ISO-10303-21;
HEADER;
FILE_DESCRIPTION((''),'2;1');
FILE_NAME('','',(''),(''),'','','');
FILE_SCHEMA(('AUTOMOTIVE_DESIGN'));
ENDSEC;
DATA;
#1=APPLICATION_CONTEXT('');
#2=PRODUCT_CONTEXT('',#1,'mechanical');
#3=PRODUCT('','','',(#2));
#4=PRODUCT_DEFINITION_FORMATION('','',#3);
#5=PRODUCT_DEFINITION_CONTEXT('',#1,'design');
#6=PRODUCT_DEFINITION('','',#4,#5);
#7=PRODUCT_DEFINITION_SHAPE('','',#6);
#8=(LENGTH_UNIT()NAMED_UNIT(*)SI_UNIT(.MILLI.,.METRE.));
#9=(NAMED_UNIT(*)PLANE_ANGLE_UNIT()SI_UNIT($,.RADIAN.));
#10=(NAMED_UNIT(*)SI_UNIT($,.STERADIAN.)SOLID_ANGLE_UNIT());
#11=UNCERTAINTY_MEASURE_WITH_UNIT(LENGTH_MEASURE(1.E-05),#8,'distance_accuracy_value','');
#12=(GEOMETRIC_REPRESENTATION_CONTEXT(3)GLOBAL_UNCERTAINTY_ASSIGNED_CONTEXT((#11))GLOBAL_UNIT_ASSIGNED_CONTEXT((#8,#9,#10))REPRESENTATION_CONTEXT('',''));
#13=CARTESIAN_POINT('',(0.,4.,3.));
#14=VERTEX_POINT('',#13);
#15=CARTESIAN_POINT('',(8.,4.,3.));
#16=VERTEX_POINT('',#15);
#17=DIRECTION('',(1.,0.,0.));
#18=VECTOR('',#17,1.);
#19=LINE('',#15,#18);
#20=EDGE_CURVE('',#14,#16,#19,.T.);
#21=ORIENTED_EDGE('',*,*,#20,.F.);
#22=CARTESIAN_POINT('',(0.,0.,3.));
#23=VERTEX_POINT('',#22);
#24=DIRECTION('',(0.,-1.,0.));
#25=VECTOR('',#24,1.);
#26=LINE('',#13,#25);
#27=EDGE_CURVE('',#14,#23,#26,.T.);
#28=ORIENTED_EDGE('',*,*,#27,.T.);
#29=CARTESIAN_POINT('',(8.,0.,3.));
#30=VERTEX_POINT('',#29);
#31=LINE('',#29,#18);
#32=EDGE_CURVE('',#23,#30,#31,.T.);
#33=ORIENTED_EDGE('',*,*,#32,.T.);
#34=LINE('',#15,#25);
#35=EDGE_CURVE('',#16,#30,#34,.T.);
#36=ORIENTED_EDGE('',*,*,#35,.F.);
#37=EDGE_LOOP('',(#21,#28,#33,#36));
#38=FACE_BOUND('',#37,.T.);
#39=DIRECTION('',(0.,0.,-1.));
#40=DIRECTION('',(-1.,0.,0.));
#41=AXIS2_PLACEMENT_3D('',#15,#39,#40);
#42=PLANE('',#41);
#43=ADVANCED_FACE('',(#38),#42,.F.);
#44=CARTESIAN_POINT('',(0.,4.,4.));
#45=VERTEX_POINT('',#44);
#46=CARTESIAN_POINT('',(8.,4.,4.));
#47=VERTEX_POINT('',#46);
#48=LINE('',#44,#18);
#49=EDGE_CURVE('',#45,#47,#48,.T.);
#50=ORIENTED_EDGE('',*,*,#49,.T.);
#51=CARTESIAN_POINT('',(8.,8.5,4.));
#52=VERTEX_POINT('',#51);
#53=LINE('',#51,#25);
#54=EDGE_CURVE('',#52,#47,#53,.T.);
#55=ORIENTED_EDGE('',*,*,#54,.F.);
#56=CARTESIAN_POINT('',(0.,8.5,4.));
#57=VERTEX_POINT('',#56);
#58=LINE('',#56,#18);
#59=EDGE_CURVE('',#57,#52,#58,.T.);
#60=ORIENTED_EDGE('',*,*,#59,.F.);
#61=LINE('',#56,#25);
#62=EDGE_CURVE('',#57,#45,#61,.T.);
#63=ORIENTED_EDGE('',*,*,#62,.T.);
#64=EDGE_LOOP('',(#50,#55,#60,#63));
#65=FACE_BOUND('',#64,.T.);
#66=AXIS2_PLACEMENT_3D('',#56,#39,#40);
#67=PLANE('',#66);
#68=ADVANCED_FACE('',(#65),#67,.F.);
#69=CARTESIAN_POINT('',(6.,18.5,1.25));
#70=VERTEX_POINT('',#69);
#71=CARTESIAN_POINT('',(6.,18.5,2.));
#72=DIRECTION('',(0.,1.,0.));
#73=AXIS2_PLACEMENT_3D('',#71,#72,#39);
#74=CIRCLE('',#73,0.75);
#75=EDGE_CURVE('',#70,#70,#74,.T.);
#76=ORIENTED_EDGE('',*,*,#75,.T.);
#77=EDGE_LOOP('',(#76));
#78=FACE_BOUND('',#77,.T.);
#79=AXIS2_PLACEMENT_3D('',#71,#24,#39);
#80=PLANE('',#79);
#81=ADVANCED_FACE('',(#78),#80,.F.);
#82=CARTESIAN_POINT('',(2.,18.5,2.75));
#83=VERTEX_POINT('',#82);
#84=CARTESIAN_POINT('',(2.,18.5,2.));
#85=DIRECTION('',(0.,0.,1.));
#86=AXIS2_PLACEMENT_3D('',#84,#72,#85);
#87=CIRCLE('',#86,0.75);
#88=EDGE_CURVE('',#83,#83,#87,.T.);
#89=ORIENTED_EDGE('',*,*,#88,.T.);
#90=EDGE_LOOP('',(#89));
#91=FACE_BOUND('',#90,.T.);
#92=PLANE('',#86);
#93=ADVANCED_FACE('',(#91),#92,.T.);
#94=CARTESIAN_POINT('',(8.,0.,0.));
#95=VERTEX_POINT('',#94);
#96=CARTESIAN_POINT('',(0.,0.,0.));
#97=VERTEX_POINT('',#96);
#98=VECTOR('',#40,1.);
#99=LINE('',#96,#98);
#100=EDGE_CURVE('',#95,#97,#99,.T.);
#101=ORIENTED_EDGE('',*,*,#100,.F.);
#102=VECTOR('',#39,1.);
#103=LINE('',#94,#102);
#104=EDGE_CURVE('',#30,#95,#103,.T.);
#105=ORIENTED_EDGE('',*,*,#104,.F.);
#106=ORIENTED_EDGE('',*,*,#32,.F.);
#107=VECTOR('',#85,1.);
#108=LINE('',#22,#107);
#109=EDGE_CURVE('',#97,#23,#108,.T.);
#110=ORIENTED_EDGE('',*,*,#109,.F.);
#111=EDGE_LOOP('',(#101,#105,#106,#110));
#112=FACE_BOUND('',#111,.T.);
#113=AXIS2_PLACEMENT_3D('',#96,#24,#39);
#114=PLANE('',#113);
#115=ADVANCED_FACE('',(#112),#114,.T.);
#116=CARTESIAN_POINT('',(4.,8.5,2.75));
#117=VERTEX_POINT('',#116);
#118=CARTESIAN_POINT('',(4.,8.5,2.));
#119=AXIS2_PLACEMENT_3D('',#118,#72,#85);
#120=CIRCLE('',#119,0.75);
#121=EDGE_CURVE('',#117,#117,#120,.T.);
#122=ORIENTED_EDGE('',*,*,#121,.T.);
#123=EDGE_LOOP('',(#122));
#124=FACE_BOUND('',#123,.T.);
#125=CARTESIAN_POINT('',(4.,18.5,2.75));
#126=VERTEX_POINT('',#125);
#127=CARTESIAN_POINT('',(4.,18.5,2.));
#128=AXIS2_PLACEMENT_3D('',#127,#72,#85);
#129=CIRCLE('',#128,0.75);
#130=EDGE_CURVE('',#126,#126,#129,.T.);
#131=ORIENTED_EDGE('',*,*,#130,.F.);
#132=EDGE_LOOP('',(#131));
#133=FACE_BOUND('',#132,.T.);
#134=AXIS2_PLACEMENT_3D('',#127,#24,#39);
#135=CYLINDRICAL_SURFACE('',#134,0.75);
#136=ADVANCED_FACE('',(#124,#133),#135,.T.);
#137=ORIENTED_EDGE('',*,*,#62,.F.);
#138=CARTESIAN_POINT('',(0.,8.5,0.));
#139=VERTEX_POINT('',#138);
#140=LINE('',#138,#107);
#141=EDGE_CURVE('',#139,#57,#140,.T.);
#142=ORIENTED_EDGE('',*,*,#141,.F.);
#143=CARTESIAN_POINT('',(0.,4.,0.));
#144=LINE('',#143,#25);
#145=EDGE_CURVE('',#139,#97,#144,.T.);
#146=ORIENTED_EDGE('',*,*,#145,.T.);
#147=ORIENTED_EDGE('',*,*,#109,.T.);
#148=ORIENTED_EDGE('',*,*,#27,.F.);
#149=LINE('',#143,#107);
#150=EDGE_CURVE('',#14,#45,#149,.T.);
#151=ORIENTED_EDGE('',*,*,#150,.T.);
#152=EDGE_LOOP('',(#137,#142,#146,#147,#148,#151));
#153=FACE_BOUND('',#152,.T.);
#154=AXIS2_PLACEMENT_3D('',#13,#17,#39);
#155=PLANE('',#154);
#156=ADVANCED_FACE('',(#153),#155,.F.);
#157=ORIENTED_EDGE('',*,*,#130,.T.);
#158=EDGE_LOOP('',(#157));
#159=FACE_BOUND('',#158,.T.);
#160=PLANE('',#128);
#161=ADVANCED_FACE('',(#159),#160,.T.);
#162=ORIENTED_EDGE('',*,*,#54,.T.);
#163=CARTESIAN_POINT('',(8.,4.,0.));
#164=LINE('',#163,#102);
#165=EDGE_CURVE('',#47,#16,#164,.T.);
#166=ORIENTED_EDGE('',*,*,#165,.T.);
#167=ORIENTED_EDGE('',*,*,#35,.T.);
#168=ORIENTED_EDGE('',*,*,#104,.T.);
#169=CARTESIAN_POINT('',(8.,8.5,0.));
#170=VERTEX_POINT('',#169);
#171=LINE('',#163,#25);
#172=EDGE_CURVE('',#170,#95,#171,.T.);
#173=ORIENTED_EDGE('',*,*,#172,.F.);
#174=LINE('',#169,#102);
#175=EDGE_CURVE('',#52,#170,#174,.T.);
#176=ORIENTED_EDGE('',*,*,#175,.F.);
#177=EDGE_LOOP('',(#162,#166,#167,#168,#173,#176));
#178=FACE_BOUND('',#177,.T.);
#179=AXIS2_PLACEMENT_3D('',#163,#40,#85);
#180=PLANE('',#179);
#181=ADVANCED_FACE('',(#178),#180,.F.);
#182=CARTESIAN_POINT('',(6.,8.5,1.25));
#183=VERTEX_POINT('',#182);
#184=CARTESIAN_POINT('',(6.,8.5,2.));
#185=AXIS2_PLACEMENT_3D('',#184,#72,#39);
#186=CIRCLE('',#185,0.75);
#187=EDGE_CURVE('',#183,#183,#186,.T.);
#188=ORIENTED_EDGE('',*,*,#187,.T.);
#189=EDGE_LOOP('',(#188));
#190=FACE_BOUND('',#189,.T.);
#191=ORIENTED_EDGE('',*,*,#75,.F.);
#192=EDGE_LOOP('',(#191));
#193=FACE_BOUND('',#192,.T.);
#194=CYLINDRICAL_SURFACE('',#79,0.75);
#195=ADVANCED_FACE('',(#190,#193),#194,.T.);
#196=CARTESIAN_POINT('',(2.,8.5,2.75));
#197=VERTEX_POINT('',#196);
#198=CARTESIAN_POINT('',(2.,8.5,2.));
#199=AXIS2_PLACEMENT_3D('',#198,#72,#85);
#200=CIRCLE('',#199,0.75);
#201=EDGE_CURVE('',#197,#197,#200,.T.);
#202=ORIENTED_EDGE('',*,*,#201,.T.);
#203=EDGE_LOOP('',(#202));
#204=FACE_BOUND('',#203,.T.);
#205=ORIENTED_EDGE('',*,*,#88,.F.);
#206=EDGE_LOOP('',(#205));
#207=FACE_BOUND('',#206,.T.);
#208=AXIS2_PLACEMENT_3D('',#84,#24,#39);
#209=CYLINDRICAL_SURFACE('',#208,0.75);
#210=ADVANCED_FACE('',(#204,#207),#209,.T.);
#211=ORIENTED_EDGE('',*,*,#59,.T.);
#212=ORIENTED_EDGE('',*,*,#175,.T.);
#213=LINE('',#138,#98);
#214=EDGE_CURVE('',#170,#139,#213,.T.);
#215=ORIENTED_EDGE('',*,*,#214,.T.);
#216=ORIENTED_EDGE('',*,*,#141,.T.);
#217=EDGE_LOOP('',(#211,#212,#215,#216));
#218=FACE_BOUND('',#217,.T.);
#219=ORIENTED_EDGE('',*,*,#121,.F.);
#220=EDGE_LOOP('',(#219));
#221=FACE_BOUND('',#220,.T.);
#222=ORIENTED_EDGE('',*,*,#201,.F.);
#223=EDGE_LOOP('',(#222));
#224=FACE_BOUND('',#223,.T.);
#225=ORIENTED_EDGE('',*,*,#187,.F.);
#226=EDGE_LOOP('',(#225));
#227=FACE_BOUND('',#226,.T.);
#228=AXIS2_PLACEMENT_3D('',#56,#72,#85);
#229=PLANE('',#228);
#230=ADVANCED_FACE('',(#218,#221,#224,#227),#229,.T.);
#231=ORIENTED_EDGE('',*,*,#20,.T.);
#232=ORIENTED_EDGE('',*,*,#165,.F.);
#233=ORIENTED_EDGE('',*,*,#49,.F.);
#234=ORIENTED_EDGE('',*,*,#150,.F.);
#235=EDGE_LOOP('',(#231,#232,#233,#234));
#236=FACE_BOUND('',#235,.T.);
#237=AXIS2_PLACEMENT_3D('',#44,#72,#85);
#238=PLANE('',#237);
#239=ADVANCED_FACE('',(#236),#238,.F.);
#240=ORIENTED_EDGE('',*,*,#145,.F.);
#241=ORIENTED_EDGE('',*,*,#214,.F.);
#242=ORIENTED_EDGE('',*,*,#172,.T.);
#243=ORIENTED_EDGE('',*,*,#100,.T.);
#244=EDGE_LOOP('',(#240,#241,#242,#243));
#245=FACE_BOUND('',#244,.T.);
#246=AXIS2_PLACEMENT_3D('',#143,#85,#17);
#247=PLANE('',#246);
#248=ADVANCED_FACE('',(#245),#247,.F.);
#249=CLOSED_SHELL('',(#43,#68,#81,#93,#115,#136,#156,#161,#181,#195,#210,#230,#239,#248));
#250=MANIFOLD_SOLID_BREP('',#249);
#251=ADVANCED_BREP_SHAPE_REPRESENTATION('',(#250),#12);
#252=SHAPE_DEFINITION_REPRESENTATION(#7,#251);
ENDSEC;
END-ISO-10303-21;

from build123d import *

# Parameters (mm, degrees)
ESQUISSE1_W      = 8
ESQUISSE1_H      = 3
EXTRUSION1_DEPTH = 4
ESQUISSE2_W      = 8
ESQUISSE2_H      = 4
EXTRUSION2_DEPTH = 4.5
ESQUISSE3_R      = 0.75
EXTRUSION3_DEPTH = 10


with BuildPart() as part:
    # Esquisse1 → Extrusion1 (new body)
    with BuildSketch(Plane(origin=(0, 0, 0), x_dir=(1, 0, 0), z_dir=(0, 1, 0))):
        with Locations((4, -1.5)):
            Rectangle(ESQUISSE1_W, ESQUISSE1_H)
    extrude(amount=EXTRUSION1_DEPTH)

    # Esquisse2 → Extrusion2 (add)
    with BuildSketch(Plane(origin=(0, 4, 0), x_dir=(1, 0, 0), z_dir=(0, 1, 0))):
        with Locations((4, -2)):
            Rectangle(ESQUISSE2_W, ESQUISSE2_H)
    extrude(amount=EXTRUSION2_DEPTH)

    # Esquisse3 → Extrusion3 (add)
    with BuildSketch(Plane(origin=(0, 8.5, 0), x_dir=(1, 0, 0), z_dir=(0, 1, 0))):
        with Locations((4, -2)):
            Circle(ESQUISSE3_R)
        with Locations((2, -2)):
            Circle(ESQUISSE3_R)
        with Locations((6, -2)):
            Circle(ESQUISSE3_R)
    extrude(amount=EXTRUSION3_DEPTH)


solid = part.part
